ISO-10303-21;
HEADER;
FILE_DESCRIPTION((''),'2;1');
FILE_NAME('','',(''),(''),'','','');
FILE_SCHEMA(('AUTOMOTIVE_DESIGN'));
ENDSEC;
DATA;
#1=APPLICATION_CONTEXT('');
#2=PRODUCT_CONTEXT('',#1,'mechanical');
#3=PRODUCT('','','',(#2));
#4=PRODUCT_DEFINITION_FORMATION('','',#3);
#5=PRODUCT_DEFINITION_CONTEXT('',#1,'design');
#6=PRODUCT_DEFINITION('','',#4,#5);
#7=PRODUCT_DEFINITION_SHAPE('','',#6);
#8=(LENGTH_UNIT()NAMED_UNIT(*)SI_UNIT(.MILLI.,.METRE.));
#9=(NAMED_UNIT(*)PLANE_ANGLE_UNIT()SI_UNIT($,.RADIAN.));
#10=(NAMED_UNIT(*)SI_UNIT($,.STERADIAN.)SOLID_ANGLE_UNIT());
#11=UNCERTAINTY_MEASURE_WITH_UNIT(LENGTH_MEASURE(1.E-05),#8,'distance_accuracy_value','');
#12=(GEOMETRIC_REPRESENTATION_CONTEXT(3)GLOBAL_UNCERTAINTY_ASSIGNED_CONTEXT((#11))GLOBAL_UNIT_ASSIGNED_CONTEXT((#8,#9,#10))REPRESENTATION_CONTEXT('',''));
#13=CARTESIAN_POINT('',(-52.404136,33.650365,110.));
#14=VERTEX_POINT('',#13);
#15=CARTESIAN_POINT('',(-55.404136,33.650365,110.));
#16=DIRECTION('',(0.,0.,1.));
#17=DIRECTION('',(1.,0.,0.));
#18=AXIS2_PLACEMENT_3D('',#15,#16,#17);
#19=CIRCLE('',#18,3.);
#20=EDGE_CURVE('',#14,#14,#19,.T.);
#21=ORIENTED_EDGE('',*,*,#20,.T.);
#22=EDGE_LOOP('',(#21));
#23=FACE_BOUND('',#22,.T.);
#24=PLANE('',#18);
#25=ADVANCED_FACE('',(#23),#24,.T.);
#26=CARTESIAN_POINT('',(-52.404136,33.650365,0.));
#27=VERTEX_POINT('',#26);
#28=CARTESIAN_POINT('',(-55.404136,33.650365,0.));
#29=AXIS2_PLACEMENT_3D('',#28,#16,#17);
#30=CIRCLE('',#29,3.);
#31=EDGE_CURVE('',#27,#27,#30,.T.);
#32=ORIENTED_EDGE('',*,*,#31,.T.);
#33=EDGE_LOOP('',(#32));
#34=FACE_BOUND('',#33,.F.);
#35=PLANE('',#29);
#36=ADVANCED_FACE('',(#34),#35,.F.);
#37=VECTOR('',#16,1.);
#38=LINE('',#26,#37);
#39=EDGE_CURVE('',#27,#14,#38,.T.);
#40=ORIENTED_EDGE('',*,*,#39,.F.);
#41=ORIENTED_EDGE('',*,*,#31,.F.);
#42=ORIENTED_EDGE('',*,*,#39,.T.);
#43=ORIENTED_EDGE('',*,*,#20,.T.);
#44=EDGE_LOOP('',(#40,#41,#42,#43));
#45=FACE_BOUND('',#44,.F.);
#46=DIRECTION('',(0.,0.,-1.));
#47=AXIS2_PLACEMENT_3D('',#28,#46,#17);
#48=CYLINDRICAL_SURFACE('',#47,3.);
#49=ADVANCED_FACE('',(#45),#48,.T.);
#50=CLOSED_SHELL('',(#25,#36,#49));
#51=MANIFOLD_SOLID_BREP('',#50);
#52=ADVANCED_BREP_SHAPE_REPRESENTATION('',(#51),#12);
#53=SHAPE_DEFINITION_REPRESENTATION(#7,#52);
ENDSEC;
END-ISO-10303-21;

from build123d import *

# Parameters (mm, degrees)
SKETCH1_R           = 3
BOSS_EXTRUDE1_DEPTH = 110


with BuildPart() as part:
    # Sketch1 → Boss-Extrude1 (new body)
    with BuildSketch(Plane.XY):
        with Locations((-55.404136253, 33.650364964)):
            Circle(SKETCH1_R)
    extrude(amount=BOSS_EXTRUDE1_DEPTH)


solid = part.part
